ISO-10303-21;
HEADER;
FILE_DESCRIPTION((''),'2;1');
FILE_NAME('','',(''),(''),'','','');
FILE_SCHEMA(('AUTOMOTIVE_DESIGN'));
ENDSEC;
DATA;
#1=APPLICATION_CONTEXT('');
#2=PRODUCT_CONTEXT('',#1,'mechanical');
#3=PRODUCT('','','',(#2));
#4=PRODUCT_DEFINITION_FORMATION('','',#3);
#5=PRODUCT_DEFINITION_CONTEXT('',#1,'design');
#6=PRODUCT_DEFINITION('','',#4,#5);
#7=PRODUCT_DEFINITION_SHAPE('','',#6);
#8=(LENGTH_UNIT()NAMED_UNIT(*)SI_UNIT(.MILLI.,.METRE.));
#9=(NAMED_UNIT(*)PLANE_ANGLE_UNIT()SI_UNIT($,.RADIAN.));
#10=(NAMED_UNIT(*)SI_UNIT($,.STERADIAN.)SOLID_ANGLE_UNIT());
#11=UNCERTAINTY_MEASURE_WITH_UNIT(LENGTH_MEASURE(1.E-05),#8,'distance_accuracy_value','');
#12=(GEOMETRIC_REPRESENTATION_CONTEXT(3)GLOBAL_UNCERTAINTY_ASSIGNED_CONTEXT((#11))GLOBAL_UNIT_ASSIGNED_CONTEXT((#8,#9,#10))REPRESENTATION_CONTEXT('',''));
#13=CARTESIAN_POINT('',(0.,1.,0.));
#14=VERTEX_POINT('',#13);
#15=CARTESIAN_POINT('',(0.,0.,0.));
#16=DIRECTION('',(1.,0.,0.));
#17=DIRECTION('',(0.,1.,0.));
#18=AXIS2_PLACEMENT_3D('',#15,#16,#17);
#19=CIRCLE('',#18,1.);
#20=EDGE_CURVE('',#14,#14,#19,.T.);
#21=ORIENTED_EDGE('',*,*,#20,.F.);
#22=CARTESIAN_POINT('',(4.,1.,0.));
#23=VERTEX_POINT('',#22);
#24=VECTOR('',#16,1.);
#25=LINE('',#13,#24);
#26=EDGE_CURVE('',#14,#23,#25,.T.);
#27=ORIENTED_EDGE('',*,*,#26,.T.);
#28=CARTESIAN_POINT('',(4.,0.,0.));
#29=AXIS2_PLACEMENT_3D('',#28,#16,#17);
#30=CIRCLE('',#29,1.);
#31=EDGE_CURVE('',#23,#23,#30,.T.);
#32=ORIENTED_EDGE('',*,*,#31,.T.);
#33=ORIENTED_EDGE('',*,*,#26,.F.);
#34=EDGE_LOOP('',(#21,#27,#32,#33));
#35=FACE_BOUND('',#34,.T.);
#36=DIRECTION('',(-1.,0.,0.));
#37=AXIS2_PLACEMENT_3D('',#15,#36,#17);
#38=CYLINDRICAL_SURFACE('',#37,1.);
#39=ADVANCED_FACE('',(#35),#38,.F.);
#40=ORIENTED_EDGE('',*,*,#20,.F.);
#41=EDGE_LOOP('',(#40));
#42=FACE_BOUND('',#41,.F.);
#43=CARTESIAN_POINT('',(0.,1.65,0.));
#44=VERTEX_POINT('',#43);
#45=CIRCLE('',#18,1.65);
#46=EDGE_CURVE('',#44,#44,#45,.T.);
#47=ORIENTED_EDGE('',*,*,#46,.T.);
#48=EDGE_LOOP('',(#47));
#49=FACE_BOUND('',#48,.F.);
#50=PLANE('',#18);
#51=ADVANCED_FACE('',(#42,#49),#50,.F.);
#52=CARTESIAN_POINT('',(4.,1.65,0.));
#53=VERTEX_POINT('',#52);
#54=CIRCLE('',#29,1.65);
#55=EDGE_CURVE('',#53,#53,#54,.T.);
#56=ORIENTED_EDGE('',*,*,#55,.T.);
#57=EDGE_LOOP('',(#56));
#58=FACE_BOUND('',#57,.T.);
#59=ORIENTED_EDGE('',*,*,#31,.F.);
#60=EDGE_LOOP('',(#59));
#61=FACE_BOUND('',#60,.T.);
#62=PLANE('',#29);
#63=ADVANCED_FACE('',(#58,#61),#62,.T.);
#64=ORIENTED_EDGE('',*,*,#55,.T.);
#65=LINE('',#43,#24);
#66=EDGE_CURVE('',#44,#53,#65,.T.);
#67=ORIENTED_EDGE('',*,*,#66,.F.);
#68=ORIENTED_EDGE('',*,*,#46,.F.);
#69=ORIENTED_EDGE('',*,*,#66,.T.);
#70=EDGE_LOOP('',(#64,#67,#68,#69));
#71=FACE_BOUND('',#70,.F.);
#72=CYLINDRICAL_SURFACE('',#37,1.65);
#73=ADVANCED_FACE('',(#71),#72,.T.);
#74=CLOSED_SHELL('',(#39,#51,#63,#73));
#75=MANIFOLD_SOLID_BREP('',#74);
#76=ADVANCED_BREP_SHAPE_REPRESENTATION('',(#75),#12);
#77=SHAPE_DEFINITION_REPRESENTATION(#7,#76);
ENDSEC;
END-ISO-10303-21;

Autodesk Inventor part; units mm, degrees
ref_plane "YZ Plane" through (0, 0, 0) normal (1, 0, 0) x (0, 1, 0)
ref_plane "XZ Plane" through (0, 0, 0) normal (0, 1, 0) x (-1, 0, 0)
ref_plane "XY Plane" through (0, 0, 0) normal (0, 0, 1) x (1, 0, 0)
sketch "スケッチ1" plane through (0, 0, 0) normal (1, 0, 0) x (0, 1, 0)
  circle A0 centre (0, 0) radius 1
  circle A1 centre (0, 0) radius 1.65
  dimension "d0" = 2
  dimension "d1" = 3.3
extrude "押し出し1" add sketch "スケッチ1" along normal blind 4
thread "ねじ1" size "M2x0.4" class "6H" standard "ANSI Metric M Profile" full length
properties part number "InsertNut_M2_4mm_D3.3" material "真鍮、ソフト イエロー"
